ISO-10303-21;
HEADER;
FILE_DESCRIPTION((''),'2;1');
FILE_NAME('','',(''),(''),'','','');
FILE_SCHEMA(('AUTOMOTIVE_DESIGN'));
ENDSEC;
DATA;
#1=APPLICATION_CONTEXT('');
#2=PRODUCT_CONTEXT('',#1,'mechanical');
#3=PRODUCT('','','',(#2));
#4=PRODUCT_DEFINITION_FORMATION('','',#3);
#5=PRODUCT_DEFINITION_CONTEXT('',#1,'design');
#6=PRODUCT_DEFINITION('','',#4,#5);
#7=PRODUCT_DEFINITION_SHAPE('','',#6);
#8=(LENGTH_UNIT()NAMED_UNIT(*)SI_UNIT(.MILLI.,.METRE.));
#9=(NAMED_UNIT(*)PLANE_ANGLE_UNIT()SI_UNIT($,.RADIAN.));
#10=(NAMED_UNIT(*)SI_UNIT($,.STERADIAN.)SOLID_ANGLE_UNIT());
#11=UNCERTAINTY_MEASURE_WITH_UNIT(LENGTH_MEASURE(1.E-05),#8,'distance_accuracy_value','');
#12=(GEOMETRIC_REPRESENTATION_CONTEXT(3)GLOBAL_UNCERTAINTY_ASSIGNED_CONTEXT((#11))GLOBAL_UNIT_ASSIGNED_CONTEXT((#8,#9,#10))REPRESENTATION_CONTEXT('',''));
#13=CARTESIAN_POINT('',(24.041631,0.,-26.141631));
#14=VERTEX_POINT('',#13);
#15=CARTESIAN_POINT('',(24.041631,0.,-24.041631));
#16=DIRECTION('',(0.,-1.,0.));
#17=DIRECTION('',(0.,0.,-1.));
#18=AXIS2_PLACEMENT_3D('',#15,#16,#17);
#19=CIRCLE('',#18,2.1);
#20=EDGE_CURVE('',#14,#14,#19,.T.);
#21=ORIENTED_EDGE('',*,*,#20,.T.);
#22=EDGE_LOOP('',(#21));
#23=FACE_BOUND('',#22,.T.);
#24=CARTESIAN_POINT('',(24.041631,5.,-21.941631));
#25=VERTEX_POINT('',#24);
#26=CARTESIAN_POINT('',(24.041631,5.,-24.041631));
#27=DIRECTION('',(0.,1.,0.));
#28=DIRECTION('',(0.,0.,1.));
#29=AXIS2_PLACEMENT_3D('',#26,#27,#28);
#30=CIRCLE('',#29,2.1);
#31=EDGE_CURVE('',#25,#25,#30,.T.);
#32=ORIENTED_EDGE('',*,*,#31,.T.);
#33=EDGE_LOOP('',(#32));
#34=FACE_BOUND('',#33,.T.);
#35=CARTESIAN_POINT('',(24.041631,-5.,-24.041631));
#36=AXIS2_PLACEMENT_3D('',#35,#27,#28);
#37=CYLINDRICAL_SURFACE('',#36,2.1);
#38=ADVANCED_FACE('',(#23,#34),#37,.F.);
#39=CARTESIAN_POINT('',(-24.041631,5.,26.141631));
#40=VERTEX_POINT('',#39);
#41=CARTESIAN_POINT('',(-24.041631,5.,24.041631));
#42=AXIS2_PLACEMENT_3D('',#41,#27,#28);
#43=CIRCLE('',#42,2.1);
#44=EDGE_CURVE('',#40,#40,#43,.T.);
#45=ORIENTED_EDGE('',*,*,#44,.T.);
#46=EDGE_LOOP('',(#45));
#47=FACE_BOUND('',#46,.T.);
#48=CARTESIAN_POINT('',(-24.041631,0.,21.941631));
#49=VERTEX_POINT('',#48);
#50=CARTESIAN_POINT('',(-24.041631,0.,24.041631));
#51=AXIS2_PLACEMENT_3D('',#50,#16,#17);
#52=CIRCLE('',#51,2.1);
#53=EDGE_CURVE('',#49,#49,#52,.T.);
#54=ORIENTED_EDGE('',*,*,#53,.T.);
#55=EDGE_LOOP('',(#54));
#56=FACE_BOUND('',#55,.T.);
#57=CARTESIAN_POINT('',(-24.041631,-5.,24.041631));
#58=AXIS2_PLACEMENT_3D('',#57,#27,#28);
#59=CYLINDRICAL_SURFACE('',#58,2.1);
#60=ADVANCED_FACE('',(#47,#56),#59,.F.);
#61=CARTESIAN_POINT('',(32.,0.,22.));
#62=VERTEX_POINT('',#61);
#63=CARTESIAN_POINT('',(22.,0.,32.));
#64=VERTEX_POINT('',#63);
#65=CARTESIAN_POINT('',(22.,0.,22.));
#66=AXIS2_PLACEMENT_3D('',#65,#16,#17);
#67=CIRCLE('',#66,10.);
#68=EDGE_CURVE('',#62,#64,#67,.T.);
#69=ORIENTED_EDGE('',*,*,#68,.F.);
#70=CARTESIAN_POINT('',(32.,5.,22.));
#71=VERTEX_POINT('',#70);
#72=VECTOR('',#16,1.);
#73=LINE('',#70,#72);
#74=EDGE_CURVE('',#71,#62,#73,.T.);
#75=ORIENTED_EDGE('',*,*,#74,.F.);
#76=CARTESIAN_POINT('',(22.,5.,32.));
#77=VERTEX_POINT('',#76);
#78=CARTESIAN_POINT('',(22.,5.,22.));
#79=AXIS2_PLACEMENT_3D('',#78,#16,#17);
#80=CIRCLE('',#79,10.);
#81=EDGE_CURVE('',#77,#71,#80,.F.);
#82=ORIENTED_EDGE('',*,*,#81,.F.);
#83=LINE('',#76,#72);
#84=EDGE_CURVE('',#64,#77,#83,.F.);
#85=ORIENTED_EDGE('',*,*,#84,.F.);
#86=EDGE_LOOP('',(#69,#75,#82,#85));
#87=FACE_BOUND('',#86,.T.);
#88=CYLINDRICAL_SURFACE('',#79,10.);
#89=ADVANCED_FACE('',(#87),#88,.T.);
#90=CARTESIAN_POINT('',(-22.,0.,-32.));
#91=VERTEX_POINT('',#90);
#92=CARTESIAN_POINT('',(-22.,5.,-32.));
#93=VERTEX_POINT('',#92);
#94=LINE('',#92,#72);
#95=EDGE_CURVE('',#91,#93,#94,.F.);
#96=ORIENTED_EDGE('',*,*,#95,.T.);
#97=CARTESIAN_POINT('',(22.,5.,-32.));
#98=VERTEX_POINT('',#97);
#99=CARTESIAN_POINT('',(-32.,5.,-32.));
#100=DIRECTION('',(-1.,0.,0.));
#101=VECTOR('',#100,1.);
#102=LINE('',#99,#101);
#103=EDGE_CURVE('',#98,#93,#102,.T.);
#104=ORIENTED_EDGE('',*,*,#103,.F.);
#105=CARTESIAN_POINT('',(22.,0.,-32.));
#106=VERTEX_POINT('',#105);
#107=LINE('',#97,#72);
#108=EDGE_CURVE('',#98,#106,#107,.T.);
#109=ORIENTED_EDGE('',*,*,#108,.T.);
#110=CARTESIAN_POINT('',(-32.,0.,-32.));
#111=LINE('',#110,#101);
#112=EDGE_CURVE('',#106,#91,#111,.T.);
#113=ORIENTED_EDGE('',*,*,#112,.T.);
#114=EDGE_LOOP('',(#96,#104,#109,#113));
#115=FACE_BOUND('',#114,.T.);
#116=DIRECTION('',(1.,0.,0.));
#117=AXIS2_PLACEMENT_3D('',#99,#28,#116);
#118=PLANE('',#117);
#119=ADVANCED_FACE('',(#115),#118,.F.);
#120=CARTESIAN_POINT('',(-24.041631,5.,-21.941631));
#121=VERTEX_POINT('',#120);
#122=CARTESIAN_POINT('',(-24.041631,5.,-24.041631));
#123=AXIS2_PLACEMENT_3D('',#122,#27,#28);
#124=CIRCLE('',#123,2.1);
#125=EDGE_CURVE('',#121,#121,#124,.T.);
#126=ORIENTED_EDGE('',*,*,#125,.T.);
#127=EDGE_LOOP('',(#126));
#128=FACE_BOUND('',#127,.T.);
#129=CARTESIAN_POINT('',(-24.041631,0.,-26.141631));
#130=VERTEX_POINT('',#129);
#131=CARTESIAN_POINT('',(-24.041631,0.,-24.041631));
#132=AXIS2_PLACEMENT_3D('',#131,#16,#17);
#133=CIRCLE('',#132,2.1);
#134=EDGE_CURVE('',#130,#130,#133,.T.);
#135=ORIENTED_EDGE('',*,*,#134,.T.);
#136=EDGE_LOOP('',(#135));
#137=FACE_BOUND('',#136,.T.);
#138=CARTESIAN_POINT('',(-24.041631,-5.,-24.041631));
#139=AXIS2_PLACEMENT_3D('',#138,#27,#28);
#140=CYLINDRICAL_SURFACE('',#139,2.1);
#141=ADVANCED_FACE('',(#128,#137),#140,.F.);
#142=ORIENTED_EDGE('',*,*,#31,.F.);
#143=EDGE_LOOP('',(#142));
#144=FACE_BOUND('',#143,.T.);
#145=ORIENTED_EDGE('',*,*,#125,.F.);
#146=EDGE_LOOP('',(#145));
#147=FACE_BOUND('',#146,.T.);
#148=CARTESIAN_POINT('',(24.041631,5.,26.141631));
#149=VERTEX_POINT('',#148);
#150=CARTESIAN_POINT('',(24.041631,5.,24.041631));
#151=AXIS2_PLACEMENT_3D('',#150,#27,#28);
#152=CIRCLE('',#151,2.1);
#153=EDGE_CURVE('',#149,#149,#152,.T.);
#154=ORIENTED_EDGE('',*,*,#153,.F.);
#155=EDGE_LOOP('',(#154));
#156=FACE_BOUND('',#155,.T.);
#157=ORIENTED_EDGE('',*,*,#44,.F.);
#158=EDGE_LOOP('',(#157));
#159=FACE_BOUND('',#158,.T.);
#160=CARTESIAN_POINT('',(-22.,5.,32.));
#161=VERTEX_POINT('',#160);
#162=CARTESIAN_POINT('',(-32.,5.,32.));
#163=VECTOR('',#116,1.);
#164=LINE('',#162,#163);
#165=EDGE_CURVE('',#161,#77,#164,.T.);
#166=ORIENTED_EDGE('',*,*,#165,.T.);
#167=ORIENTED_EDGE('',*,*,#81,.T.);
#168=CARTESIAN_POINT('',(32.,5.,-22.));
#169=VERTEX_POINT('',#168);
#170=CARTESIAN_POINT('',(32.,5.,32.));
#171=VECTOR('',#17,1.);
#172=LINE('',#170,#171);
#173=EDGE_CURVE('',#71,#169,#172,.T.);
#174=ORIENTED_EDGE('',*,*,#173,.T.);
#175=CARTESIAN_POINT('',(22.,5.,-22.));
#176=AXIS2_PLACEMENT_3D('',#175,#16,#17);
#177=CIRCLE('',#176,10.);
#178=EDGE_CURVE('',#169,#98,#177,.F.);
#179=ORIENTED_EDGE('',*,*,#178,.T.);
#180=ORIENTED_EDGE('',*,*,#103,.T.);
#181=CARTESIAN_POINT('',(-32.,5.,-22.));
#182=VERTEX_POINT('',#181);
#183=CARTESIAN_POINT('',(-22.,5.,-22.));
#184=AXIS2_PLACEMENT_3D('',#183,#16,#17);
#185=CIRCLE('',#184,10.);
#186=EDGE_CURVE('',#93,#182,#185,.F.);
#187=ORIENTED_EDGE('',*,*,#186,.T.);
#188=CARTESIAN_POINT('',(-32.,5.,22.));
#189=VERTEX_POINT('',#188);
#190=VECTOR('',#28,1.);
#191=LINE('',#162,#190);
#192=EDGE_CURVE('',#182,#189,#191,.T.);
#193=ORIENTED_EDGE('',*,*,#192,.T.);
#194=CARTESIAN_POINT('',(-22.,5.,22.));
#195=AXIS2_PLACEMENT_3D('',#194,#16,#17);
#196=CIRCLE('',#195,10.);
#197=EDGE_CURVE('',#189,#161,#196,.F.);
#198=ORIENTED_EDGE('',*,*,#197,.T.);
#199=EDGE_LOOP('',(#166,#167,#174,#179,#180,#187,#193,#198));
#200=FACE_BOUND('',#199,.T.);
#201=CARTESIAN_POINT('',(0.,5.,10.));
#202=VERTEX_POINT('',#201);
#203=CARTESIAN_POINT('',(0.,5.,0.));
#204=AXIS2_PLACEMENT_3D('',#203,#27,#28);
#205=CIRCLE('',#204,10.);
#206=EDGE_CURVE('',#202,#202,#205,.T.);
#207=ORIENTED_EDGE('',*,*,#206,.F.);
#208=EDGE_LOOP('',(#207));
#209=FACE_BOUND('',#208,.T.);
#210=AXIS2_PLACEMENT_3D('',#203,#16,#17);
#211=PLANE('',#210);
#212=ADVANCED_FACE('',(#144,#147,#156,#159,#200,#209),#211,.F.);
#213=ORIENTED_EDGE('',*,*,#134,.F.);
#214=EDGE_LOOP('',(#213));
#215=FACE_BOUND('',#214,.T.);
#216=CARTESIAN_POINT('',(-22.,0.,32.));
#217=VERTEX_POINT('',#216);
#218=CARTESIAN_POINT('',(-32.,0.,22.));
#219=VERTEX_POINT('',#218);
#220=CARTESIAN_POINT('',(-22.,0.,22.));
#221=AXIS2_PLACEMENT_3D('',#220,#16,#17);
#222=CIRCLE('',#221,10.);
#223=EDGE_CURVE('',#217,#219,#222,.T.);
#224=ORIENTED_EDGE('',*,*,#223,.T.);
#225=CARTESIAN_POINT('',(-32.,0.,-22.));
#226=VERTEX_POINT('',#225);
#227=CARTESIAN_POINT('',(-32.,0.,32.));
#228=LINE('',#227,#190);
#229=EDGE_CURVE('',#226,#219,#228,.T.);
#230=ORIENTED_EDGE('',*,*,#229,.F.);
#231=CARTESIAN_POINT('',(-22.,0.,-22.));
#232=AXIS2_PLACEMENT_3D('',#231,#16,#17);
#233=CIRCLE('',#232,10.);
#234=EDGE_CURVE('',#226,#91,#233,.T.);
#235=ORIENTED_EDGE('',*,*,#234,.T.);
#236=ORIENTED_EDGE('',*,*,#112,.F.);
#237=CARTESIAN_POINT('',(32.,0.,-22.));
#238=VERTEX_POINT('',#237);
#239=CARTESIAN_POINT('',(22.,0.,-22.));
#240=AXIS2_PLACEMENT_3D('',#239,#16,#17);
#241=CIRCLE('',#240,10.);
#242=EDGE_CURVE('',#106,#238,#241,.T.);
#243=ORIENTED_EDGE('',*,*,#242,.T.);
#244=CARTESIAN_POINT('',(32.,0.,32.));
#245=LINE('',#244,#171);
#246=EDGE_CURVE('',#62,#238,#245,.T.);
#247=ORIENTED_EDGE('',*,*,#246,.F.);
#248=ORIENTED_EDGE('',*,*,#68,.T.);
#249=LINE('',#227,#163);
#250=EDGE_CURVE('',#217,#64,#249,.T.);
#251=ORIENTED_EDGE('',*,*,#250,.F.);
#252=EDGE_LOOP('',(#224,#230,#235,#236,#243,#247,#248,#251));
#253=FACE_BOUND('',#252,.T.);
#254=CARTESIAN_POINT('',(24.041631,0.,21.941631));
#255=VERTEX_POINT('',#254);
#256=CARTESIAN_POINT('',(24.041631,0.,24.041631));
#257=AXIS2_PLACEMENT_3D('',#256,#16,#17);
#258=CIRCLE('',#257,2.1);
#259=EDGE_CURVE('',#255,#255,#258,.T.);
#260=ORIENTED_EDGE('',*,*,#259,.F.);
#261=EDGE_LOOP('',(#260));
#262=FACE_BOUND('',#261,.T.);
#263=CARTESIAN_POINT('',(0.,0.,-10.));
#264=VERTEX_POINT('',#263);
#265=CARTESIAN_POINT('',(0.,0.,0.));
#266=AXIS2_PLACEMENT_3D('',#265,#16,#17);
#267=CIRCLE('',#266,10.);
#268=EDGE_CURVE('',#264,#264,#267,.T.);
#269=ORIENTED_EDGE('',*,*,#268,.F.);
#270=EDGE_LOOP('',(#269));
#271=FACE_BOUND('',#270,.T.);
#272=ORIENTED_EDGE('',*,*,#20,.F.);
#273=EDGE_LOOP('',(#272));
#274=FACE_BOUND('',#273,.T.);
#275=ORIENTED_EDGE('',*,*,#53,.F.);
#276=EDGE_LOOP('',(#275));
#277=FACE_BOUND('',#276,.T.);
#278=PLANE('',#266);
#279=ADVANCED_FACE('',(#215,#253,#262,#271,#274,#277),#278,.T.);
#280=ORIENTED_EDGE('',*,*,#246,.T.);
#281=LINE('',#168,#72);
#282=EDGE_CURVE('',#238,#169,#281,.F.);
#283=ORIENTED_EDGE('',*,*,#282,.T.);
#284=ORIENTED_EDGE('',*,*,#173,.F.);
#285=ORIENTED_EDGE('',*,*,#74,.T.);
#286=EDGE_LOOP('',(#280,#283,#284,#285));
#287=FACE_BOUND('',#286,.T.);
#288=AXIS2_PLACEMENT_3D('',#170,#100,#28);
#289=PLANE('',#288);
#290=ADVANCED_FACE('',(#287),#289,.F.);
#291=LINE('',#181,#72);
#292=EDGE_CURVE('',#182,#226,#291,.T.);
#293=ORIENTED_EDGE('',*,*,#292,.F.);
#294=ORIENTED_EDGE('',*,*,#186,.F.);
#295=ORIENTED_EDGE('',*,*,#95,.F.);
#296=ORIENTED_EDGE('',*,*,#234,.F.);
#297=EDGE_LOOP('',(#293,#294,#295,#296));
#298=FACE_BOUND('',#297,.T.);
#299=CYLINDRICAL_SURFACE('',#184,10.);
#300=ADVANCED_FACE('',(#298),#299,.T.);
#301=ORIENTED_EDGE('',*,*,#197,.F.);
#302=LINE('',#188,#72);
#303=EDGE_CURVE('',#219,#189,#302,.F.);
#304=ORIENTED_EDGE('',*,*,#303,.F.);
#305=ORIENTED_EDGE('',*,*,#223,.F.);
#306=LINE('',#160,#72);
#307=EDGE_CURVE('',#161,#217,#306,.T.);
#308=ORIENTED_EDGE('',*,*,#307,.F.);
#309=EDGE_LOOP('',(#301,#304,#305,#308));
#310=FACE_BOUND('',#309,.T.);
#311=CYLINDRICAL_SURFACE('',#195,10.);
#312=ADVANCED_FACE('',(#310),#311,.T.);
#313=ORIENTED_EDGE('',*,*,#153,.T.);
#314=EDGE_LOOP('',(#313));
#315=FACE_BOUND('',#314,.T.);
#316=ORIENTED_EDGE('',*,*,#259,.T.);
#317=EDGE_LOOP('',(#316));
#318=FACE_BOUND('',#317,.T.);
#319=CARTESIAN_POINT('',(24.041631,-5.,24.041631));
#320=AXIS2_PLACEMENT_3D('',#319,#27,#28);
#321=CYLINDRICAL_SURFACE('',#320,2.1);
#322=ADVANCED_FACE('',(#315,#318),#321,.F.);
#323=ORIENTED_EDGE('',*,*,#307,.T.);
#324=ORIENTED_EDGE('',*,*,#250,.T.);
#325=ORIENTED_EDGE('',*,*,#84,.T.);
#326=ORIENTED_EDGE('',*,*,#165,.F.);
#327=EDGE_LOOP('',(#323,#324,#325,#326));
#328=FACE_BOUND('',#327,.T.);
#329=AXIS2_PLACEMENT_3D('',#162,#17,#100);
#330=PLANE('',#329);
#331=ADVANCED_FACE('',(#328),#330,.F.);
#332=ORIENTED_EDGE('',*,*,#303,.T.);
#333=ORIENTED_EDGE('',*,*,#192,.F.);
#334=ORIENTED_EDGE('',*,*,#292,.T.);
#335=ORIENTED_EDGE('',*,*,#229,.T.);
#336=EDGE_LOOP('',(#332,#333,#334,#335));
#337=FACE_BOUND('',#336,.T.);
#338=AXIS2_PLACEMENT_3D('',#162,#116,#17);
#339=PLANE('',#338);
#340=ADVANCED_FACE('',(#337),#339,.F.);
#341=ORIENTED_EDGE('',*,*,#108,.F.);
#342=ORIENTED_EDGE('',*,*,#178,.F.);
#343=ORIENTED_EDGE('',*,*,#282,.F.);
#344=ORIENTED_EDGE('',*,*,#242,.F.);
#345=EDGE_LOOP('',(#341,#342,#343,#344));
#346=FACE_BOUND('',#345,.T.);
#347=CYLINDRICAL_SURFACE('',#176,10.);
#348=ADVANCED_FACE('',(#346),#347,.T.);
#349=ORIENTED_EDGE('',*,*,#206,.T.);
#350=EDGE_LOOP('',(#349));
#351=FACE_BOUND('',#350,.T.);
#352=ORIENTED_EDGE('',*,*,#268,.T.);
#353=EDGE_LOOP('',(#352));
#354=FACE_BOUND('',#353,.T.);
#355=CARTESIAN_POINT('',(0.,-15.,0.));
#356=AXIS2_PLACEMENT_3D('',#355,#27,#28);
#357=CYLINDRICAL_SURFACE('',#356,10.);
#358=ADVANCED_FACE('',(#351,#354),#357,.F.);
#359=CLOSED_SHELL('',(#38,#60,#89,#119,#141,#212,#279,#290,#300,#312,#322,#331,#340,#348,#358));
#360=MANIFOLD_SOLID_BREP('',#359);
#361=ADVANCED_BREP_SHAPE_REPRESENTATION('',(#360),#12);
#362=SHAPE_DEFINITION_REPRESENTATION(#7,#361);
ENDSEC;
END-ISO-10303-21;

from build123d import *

# Parameters (mm, degrees)
SKETCH_1_W          = 64
SKETCH_1_H          = 64
EXTRUDE_1_DEPTH     = 5
FILLET_1_R          = 10
SKETCH_3_R          = 2.1
CUT_EXTRUDE_2_DEPTH = 10
SKETCH_2_R          = 10
CUT_EXTRUDE_3_DEPTH = 20


with BuildPart() as part:
    # 草图1 → 凸台-拉伸1 (new body)
    with BuildSketch(Plane(origin=(0, 0, 0), x_dir=(1, 0, 0), z_dir=(0, 1, 0))):
        Rectangle(SKETCH_1_W, SKETCH_1_H)
    extrude(amount=EXTRUDE_1_DEPTH)

    # 圆角1
    fillet_1_edges = [part.edges().sort_by_distance(p)[0] for p in [
        (32, 2.5, 32),
        (-32, 2.5, 32),
        (-32, 2.5, -32),
        (32, 2.5, -32),
    ]]
    fillet(fillet_1_edges, radius=FILLET_1_R)

    # 草图3 → 切除-拉伸2 (cut)
    with BuildSketch(Plane(origin=(0, 5, 0), x_dir=(1, 0, 0), z_dir=(0, 1, 0))):
        with Locations(Location((24.04163056, 24.04163056, 0), (0, 0, 270))):
            Circle(SKETCH_3_R)
        with Locations(Location((24.04163056, -24.04163056, 0), (0, 0, 270))):
            Circle(SKETCH_3_R)
        with Locations(Location((-24.04163056, -24.04163056, 0), (0, 0, 270))):
            Circle(SKETCH_3_R)
        with Locations(Location((-24.04163056, 24.04163056, 0), (0, 0, 270))):
            Circle(SKETCH_3_R)
    extrude(amount=-CUT_EXTRUDE_2_DEPTH, mode=Mode.SUBTRACT)

    # 草图2 → 切除-拉伸3 (cut)
    with BuildSketch(Plane(origin=(0, 5, 0), x_dir=(1, 0, 0), z_dir=(0, 1, 0))):
        with Locations(Location((0, 0, 0), (0, 0, 270))):
            Circle(SKETCH_2_R)
    extrude(amount=-CUT_EXTRUDE_3_DEPTH, mode=Mode.SUBTRACT)


solid = part.part
